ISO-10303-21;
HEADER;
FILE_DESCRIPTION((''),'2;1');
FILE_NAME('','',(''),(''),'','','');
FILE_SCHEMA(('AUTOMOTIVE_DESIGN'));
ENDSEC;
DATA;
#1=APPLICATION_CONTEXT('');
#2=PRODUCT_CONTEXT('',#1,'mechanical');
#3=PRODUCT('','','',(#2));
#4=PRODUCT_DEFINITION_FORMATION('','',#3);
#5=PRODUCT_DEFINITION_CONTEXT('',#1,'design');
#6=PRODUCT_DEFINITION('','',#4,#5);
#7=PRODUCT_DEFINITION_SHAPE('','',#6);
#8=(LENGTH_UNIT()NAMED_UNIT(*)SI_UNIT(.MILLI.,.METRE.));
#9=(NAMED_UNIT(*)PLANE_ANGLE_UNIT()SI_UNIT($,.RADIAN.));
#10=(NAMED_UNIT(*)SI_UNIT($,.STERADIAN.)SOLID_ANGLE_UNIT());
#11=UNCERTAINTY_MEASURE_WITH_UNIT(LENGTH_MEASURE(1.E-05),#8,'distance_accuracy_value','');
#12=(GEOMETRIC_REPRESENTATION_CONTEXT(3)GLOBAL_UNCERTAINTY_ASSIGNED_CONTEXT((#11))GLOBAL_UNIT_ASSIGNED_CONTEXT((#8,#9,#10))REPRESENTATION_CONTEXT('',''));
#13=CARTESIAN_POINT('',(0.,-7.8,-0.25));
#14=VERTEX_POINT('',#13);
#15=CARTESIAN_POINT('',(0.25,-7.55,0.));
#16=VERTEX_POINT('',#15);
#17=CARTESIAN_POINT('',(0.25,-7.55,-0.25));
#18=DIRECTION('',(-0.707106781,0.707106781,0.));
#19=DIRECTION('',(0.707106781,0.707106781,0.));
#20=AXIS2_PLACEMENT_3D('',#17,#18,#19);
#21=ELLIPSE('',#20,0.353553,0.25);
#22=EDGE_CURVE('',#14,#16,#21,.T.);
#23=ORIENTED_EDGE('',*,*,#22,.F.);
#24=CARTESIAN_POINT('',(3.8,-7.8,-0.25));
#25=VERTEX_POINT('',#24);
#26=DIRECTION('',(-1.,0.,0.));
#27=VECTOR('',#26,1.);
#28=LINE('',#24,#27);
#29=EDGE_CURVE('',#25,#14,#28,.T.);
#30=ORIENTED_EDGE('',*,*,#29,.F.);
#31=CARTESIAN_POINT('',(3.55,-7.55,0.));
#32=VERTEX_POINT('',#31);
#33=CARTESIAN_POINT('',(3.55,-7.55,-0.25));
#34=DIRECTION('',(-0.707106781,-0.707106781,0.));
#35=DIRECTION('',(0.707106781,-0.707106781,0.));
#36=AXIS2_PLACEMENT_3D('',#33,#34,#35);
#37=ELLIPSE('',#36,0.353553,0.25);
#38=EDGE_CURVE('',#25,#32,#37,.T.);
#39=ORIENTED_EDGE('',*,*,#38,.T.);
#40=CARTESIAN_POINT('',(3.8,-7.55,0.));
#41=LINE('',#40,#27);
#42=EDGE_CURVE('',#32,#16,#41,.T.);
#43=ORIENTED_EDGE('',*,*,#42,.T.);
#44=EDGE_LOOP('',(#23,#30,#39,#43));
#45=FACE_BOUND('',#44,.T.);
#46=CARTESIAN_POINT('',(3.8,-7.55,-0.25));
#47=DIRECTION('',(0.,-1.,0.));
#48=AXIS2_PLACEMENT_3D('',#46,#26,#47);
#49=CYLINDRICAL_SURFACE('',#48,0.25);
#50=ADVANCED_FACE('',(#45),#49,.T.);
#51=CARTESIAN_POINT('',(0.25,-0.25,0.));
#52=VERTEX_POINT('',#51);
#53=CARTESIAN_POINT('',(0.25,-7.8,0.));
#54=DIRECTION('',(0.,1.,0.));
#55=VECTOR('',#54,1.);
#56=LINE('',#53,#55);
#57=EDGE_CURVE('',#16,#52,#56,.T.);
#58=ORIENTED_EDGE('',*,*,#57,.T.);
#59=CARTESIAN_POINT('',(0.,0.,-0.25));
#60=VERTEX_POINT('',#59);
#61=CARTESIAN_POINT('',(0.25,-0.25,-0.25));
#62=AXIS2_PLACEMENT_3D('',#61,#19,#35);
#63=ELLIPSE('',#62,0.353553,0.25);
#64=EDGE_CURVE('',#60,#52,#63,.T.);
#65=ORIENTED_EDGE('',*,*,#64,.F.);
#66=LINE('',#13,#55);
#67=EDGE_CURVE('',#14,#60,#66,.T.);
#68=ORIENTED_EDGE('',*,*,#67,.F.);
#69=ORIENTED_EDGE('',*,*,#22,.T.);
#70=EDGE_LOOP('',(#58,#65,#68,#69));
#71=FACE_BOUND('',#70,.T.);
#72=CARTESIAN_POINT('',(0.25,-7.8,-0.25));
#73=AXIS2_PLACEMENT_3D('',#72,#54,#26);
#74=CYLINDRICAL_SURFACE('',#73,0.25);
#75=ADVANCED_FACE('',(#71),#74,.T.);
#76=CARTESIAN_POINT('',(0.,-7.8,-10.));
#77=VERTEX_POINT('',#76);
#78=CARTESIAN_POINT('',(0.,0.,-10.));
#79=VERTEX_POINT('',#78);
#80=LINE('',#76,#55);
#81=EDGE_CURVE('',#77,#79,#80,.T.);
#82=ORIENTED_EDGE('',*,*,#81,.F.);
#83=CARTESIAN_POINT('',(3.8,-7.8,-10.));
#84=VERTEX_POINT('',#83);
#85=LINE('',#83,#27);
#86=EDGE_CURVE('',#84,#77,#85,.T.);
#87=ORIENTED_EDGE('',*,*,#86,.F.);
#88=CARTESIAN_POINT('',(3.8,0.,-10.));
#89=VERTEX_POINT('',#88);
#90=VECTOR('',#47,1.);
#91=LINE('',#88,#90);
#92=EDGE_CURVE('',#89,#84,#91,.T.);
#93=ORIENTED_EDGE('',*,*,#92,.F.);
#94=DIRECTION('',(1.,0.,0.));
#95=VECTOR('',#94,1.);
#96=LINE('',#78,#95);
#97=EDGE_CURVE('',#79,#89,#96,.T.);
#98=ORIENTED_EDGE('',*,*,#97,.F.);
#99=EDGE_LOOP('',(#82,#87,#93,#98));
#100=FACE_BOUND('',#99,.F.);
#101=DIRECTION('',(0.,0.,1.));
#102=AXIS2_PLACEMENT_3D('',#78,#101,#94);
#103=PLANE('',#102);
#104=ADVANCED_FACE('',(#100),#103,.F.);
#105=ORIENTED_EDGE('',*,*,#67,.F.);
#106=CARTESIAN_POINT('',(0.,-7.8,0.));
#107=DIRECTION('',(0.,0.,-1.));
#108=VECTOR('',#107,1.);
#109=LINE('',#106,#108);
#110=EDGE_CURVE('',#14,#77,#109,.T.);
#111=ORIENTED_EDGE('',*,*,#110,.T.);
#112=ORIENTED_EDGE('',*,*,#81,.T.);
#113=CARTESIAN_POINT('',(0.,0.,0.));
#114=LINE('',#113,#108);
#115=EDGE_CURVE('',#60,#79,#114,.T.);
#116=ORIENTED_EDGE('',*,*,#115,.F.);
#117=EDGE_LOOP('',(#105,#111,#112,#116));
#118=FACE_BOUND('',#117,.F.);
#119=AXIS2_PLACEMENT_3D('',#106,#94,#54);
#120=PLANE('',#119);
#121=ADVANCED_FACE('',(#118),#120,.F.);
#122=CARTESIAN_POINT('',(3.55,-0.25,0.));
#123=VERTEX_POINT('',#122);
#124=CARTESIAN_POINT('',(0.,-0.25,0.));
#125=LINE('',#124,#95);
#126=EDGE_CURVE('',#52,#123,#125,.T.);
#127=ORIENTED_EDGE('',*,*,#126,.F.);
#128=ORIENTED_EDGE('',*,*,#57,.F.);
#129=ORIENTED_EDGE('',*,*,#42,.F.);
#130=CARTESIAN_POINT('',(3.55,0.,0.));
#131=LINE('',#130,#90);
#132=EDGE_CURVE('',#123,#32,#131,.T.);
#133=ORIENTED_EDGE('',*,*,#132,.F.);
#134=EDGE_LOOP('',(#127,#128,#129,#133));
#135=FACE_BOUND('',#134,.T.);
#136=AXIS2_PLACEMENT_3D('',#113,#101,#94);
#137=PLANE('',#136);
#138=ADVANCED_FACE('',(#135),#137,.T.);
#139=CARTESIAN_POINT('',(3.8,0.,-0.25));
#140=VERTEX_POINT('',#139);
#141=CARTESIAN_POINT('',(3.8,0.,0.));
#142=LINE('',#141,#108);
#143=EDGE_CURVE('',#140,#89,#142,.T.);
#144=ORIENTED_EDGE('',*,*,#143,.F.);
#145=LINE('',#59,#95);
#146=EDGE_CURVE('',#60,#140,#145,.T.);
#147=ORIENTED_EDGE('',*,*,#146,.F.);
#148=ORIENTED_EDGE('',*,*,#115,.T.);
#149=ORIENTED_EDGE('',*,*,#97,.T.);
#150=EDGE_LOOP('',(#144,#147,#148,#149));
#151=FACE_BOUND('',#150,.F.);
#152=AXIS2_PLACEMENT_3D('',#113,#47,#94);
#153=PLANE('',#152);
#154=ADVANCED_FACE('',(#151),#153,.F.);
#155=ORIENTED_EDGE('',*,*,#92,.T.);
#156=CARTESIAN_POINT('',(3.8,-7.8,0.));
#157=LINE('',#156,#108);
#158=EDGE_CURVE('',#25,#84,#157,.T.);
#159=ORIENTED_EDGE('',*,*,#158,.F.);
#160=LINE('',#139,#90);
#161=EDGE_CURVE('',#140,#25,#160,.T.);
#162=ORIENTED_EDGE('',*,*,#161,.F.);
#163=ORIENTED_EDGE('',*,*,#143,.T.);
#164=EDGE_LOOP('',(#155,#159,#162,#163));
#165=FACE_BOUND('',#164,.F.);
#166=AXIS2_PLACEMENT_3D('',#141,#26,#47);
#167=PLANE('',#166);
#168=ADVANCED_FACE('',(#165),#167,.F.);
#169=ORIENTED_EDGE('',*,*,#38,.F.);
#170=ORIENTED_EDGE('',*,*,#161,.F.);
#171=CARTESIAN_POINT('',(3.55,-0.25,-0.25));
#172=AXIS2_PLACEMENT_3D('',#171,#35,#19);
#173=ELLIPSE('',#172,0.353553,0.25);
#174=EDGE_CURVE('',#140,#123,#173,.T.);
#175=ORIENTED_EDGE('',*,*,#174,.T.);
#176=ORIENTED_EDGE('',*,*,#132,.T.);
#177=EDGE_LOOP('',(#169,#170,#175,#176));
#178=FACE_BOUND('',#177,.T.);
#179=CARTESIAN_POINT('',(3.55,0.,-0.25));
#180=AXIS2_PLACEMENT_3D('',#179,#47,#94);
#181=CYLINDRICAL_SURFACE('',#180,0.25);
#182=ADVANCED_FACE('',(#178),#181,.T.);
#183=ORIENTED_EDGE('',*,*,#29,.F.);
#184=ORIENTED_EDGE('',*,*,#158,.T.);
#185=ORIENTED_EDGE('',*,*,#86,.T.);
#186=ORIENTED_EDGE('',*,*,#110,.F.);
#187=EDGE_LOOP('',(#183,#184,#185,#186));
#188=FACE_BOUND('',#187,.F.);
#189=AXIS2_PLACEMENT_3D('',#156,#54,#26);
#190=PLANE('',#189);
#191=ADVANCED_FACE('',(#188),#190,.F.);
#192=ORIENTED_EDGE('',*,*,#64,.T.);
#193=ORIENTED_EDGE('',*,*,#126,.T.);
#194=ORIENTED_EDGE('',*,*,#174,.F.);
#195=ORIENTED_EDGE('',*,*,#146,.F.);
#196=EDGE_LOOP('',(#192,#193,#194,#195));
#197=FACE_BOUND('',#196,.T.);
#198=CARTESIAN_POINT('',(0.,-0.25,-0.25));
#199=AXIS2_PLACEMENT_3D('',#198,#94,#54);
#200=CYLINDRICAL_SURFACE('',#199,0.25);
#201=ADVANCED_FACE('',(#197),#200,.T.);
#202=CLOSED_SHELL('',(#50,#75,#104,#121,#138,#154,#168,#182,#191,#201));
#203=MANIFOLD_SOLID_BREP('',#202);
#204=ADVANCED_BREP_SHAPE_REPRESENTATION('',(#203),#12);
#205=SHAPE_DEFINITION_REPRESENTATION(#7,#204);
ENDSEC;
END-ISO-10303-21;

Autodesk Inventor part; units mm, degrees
ref_plane "YZ Plane" through (0, 0, 0) normal (1, 0, 0) x (0, 1, 0)
ref_plane "XZ Plane" through (0, 0, 0) normal (0, 1, 0) x (-1, 0, 0)
ref_plane "XY Plane" through (0, 0, 0) normal (0, 0, 1) x (1, 0, 0)
sketch "Sketch1" plane through (0, 0, 0) normal (0, 0, 1) x (1, 0, 0)
  line L0 (0, 0) -> (3.8, 0)
  line L1 (3.8, 0) -> (3.8, -7.8)
  line L2 (3.8, -7.8) -> (0, -7.8)
  line L3 (0, -7.8) -> (0, 0)
  dimension "d0" = 3.8
  dimension "d1" = 7.8
extrude "Extrusion1" add sketch "Sketch1" against normal blind 10
fillet "Fillet1" radius 0.25 4 edges at (1.9, 0, 0) (0, -3.9, 0) (3.8, -3.9, 0) (1.9, -7.8, 0)
equation "\"d0\" = BL_width"
equation "\"d1\" = BL_length"
equation "\"d2\" = BL_depth"
equation "\"d4\" = W_filletRadius"
equation "\"Wheel_Related_W_\" = 0"
equation "\"W_innerDepth\" = 4"
equation "\"W_wallThickness\" = 2"
equation "\"W_holesClearance\" = 0.3"
equation "\"W_outerGearHoleDiameter\" = 5.3"
equation "\"W_innerGearHoleDiameter\" = 10.1"
equation "\"TempSpotReserved7\" = 0"
equation "\"TempSpotReserved8\" = 0"
equation "\"TempSpotReserved9\" = 0"
equation "\"TempSpotReserved10\" = 0"
equation "\"Inner_Gear_Related_IG_\" = 0"
equation "\"IG_shaftDiameter\" = 7.5"
equation "\"IG_shaftLength\" = 15"
equation "\"IG_gearThickness\" = 2"
equation "\"IG_ratioToOuterGear\" = 0.75"
equation "\"IG_skirtThickness\" = 2"
equation "\"IG_extentionLength\" = 18.33333"
equation "\"IG_extentionThickness\" = 3"
equation "\"IG_slitWidth\" = 4"
equation "\"IG_slitlength\" = 8"
equation "\"Outer_Gear_Related_OG_\" = 0"
equation "\"OG_distanceFromCenter\" = 23.33333"
equation "\"OG_shaftDiameter\" = 5"
equation "\"OG_gearDiameter\" = 26.66667"
equation "\"OG_shaftLength\" = 7"
equation "\"OG_gearThickness\" = 2"
equation "\"OG_skirtOffset\" = 1"
equation "\"OG_skirtThickness\" = 1"
equation "\"TempSpotReserved29\" = 0"
equation "\"TempSpotReserved30\" = 0"
equation "\"Leg_Extensions_Related_LE_\" = 0"
equation "\"LE_baseDiameter\" = 5"
equation "\"LE_maxLength\" = 24.6522"
equation "\"LE_thickness\" = 2.5"
equation "\"LE_offsetAboveOuterGear\" = 0"
equation "\"TempSpotReserved35\" = 0"
equation "\"TempSpotReserved36\" = 0"
equation "\"TempSpotReserved37\" = 0"
equation "\"TempSpotReserved38\" = 0"
equation "\"TempSpotReserved39\" = 0"
equation "\"TempSpotReserved40\" = 0"
equation "\"Bearing_Related_B_\" = 0"
equation "\"B_bearingThickness\" = 1"
equation "\"TempSpotReserved42\" = 0"
equation "\"TempSpotReserved43\" = 0"
equation "\"TempSpotReserved44\" = 0"
equation "\"TempSpotReserved45\" = 0"
equation "\"TempSpotReserved46\" = 0"
equation "\"TempSpotReserved47\" = 0"
equation "\"TempSpotReserved48\" = 0"
equation "\"TempSpotReserved49\" = 0"
equation "\"TempSpotReserved50\" = 0"
equation "\"IG_slitDistanceFromCenterHole\" = 8"
equation "\"IG_slitClearance\" = 0.2"
equation "\"Reserved_10\" = 0"
equation "\"Reserved_9\" = 0"
equation "\"Reserved_11\" = 0"
equation "\"Reserved_12\" = 0"
equation "\"Reserved_8\" = 0"
equation "\"Reserved_7\" = 0"
equation "\"Reserved_26\" = 0"
equation "\"Reserved_20\" = 0"
equation "\"Reserved_22\" = 0"
equation "\"Reserved_23\" = 0"
equation "\"Reserved_25\" = 0"
equation "\"Reserved_24\" = 0"
equation "\"Reserved_21\" = 0"
equation "\"Reserved_19\" = 0"
equation "\"Reserved_27\" = 0"
equation "\"Reserved_14\" = 0"
equation "\"Reserved_15\" = 0"
equation "\"Reserved_16\" = 0"
equation "\"Reserved_13\" = 0"
equation "\"Reserved_17\" = 0"
equation "\"Reserved_18\" = 0"
equation "\"Bearing_Related_BR_\" = 0"
equation "\"BR_bearingThickness\" = 1"
equation "\"Block_Related_BL_\" = 0"
equation "\"BL_width\" = 3.8"
equation "\"BL_length\" = 7.8"
equation "\"BL_depth\" = 10"
equation "\"W_filletRadius\" = 0.25"
equation "\"W_extrutsionTaperAngle\" = 2deg"
equation "\"OG_protrudeDistance\" = 3"
properties part number "block1"
